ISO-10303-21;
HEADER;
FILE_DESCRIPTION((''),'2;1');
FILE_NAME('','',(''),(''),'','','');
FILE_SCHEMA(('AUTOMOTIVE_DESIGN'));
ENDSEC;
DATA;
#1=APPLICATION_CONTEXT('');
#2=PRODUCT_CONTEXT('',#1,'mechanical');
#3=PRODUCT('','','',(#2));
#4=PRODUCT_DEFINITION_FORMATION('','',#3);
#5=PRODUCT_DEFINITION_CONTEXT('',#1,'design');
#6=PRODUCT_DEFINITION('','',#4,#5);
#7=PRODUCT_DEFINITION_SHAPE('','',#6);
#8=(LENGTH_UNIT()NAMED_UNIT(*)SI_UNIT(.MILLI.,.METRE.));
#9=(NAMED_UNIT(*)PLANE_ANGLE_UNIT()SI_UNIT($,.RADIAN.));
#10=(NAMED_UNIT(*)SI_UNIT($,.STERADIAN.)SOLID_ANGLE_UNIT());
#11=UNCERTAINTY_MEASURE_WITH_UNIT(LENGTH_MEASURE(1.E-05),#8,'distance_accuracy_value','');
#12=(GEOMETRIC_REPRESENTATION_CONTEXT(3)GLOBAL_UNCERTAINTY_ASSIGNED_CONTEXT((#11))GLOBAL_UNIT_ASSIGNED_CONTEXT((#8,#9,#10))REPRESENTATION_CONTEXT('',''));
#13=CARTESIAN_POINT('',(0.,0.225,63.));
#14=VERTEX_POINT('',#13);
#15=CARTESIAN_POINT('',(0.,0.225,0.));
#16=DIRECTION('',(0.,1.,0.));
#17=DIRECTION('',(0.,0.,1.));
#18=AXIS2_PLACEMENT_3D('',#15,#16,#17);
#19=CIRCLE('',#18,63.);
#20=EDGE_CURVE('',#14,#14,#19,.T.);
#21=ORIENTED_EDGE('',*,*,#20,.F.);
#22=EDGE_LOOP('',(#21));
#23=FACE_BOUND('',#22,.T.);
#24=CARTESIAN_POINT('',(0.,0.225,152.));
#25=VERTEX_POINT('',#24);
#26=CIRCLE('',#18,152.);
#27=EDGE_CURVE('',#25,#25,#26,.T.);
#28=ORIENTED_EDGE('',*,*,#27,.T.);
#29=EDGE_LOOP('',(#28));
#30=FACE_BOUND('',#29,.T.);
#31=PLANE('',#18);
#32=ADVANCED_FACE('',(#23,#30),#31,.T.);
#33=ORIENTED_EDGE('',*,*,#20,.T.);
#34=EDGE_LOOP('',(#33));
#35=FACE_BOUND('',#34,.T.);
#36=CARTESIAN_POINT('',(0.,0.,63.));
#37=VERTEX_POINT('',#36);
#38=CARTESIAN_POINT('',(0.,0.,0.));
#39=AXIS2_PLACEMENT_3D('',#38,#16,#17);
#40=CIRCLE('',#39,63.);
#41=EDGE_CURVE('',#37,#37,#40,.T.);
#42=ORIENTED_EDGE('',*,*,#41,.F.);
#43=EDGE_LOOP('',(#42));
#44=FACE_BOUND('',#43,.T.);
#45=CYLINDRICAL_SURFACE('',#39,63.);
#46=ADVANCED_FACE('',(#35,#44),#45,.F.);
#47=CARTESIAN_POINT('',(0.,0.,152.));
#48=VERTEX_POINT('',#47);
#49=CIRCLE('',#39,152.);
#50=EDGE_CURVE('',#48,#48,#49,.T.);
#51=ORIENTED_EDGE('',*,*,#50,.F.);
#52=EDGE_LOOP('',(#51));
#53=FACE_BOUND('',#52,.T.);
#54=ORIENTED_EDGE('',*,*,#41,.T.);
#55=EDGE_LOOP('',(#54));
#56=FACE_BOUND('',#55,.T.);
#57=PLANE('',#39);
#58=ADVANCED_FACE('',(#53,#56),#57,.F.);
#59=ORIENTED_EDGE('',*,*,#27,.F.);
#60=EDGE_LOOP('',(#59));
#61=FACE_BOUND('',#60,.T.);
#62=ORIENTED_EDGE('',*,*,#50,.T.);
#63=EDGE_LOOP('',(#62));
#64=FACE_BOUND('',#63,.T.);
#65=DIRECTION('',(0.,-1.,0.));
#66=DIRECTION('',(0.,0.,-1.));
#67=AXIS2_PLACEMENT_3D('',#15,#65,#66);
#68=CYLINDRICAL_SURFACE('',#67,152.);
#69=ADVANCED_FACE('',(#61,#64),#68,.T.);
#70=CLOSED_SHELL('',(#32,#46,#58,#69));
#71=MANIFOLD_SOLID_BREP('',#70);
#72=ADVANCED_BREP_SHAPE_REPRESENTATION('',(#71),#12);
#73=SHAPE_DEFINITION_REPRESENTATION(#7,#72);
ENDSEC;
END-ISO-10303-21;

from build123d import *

# Parameters (mm, degrees)
SKETCH1_R           = 152
BOSS_EXTRUDE1_DEPTH = 0.225
SKETCH2_R           = 63
CUT_EXTRUDE1_DEPTH  = 0.225


with BuildPart() as part:
    # Sketch1 → Boss-Extrude1 (new body)
    with BuildSketch(Plane(origin=(0, 0, 0), x_dir=(1, 0, 0), z_dir=(0, 1, 0))):
        with Locations(Location((0, 0, 0), (0, 0, 270))):
            Circle(SKETCH1_R)
    extrude(amount=BOSS_EXTRUDE1_DEPTH)

    # Sketch2 → Cut-Extrude1 (cut)
    with BuildSketch(Plane(origin=(0, 0.225, 0), x_dir=(1, 0, 0), z_dir=(0, 1, 0))):
        with Locations(Location((0, 0, 0), (0, 0, 270))):
            Circle(SKETCH2_R)
    extrude(amount=-CUT_EXTRUDE1_DEPTH, mode=Mode.SUBTRACT)


solid = part.part
